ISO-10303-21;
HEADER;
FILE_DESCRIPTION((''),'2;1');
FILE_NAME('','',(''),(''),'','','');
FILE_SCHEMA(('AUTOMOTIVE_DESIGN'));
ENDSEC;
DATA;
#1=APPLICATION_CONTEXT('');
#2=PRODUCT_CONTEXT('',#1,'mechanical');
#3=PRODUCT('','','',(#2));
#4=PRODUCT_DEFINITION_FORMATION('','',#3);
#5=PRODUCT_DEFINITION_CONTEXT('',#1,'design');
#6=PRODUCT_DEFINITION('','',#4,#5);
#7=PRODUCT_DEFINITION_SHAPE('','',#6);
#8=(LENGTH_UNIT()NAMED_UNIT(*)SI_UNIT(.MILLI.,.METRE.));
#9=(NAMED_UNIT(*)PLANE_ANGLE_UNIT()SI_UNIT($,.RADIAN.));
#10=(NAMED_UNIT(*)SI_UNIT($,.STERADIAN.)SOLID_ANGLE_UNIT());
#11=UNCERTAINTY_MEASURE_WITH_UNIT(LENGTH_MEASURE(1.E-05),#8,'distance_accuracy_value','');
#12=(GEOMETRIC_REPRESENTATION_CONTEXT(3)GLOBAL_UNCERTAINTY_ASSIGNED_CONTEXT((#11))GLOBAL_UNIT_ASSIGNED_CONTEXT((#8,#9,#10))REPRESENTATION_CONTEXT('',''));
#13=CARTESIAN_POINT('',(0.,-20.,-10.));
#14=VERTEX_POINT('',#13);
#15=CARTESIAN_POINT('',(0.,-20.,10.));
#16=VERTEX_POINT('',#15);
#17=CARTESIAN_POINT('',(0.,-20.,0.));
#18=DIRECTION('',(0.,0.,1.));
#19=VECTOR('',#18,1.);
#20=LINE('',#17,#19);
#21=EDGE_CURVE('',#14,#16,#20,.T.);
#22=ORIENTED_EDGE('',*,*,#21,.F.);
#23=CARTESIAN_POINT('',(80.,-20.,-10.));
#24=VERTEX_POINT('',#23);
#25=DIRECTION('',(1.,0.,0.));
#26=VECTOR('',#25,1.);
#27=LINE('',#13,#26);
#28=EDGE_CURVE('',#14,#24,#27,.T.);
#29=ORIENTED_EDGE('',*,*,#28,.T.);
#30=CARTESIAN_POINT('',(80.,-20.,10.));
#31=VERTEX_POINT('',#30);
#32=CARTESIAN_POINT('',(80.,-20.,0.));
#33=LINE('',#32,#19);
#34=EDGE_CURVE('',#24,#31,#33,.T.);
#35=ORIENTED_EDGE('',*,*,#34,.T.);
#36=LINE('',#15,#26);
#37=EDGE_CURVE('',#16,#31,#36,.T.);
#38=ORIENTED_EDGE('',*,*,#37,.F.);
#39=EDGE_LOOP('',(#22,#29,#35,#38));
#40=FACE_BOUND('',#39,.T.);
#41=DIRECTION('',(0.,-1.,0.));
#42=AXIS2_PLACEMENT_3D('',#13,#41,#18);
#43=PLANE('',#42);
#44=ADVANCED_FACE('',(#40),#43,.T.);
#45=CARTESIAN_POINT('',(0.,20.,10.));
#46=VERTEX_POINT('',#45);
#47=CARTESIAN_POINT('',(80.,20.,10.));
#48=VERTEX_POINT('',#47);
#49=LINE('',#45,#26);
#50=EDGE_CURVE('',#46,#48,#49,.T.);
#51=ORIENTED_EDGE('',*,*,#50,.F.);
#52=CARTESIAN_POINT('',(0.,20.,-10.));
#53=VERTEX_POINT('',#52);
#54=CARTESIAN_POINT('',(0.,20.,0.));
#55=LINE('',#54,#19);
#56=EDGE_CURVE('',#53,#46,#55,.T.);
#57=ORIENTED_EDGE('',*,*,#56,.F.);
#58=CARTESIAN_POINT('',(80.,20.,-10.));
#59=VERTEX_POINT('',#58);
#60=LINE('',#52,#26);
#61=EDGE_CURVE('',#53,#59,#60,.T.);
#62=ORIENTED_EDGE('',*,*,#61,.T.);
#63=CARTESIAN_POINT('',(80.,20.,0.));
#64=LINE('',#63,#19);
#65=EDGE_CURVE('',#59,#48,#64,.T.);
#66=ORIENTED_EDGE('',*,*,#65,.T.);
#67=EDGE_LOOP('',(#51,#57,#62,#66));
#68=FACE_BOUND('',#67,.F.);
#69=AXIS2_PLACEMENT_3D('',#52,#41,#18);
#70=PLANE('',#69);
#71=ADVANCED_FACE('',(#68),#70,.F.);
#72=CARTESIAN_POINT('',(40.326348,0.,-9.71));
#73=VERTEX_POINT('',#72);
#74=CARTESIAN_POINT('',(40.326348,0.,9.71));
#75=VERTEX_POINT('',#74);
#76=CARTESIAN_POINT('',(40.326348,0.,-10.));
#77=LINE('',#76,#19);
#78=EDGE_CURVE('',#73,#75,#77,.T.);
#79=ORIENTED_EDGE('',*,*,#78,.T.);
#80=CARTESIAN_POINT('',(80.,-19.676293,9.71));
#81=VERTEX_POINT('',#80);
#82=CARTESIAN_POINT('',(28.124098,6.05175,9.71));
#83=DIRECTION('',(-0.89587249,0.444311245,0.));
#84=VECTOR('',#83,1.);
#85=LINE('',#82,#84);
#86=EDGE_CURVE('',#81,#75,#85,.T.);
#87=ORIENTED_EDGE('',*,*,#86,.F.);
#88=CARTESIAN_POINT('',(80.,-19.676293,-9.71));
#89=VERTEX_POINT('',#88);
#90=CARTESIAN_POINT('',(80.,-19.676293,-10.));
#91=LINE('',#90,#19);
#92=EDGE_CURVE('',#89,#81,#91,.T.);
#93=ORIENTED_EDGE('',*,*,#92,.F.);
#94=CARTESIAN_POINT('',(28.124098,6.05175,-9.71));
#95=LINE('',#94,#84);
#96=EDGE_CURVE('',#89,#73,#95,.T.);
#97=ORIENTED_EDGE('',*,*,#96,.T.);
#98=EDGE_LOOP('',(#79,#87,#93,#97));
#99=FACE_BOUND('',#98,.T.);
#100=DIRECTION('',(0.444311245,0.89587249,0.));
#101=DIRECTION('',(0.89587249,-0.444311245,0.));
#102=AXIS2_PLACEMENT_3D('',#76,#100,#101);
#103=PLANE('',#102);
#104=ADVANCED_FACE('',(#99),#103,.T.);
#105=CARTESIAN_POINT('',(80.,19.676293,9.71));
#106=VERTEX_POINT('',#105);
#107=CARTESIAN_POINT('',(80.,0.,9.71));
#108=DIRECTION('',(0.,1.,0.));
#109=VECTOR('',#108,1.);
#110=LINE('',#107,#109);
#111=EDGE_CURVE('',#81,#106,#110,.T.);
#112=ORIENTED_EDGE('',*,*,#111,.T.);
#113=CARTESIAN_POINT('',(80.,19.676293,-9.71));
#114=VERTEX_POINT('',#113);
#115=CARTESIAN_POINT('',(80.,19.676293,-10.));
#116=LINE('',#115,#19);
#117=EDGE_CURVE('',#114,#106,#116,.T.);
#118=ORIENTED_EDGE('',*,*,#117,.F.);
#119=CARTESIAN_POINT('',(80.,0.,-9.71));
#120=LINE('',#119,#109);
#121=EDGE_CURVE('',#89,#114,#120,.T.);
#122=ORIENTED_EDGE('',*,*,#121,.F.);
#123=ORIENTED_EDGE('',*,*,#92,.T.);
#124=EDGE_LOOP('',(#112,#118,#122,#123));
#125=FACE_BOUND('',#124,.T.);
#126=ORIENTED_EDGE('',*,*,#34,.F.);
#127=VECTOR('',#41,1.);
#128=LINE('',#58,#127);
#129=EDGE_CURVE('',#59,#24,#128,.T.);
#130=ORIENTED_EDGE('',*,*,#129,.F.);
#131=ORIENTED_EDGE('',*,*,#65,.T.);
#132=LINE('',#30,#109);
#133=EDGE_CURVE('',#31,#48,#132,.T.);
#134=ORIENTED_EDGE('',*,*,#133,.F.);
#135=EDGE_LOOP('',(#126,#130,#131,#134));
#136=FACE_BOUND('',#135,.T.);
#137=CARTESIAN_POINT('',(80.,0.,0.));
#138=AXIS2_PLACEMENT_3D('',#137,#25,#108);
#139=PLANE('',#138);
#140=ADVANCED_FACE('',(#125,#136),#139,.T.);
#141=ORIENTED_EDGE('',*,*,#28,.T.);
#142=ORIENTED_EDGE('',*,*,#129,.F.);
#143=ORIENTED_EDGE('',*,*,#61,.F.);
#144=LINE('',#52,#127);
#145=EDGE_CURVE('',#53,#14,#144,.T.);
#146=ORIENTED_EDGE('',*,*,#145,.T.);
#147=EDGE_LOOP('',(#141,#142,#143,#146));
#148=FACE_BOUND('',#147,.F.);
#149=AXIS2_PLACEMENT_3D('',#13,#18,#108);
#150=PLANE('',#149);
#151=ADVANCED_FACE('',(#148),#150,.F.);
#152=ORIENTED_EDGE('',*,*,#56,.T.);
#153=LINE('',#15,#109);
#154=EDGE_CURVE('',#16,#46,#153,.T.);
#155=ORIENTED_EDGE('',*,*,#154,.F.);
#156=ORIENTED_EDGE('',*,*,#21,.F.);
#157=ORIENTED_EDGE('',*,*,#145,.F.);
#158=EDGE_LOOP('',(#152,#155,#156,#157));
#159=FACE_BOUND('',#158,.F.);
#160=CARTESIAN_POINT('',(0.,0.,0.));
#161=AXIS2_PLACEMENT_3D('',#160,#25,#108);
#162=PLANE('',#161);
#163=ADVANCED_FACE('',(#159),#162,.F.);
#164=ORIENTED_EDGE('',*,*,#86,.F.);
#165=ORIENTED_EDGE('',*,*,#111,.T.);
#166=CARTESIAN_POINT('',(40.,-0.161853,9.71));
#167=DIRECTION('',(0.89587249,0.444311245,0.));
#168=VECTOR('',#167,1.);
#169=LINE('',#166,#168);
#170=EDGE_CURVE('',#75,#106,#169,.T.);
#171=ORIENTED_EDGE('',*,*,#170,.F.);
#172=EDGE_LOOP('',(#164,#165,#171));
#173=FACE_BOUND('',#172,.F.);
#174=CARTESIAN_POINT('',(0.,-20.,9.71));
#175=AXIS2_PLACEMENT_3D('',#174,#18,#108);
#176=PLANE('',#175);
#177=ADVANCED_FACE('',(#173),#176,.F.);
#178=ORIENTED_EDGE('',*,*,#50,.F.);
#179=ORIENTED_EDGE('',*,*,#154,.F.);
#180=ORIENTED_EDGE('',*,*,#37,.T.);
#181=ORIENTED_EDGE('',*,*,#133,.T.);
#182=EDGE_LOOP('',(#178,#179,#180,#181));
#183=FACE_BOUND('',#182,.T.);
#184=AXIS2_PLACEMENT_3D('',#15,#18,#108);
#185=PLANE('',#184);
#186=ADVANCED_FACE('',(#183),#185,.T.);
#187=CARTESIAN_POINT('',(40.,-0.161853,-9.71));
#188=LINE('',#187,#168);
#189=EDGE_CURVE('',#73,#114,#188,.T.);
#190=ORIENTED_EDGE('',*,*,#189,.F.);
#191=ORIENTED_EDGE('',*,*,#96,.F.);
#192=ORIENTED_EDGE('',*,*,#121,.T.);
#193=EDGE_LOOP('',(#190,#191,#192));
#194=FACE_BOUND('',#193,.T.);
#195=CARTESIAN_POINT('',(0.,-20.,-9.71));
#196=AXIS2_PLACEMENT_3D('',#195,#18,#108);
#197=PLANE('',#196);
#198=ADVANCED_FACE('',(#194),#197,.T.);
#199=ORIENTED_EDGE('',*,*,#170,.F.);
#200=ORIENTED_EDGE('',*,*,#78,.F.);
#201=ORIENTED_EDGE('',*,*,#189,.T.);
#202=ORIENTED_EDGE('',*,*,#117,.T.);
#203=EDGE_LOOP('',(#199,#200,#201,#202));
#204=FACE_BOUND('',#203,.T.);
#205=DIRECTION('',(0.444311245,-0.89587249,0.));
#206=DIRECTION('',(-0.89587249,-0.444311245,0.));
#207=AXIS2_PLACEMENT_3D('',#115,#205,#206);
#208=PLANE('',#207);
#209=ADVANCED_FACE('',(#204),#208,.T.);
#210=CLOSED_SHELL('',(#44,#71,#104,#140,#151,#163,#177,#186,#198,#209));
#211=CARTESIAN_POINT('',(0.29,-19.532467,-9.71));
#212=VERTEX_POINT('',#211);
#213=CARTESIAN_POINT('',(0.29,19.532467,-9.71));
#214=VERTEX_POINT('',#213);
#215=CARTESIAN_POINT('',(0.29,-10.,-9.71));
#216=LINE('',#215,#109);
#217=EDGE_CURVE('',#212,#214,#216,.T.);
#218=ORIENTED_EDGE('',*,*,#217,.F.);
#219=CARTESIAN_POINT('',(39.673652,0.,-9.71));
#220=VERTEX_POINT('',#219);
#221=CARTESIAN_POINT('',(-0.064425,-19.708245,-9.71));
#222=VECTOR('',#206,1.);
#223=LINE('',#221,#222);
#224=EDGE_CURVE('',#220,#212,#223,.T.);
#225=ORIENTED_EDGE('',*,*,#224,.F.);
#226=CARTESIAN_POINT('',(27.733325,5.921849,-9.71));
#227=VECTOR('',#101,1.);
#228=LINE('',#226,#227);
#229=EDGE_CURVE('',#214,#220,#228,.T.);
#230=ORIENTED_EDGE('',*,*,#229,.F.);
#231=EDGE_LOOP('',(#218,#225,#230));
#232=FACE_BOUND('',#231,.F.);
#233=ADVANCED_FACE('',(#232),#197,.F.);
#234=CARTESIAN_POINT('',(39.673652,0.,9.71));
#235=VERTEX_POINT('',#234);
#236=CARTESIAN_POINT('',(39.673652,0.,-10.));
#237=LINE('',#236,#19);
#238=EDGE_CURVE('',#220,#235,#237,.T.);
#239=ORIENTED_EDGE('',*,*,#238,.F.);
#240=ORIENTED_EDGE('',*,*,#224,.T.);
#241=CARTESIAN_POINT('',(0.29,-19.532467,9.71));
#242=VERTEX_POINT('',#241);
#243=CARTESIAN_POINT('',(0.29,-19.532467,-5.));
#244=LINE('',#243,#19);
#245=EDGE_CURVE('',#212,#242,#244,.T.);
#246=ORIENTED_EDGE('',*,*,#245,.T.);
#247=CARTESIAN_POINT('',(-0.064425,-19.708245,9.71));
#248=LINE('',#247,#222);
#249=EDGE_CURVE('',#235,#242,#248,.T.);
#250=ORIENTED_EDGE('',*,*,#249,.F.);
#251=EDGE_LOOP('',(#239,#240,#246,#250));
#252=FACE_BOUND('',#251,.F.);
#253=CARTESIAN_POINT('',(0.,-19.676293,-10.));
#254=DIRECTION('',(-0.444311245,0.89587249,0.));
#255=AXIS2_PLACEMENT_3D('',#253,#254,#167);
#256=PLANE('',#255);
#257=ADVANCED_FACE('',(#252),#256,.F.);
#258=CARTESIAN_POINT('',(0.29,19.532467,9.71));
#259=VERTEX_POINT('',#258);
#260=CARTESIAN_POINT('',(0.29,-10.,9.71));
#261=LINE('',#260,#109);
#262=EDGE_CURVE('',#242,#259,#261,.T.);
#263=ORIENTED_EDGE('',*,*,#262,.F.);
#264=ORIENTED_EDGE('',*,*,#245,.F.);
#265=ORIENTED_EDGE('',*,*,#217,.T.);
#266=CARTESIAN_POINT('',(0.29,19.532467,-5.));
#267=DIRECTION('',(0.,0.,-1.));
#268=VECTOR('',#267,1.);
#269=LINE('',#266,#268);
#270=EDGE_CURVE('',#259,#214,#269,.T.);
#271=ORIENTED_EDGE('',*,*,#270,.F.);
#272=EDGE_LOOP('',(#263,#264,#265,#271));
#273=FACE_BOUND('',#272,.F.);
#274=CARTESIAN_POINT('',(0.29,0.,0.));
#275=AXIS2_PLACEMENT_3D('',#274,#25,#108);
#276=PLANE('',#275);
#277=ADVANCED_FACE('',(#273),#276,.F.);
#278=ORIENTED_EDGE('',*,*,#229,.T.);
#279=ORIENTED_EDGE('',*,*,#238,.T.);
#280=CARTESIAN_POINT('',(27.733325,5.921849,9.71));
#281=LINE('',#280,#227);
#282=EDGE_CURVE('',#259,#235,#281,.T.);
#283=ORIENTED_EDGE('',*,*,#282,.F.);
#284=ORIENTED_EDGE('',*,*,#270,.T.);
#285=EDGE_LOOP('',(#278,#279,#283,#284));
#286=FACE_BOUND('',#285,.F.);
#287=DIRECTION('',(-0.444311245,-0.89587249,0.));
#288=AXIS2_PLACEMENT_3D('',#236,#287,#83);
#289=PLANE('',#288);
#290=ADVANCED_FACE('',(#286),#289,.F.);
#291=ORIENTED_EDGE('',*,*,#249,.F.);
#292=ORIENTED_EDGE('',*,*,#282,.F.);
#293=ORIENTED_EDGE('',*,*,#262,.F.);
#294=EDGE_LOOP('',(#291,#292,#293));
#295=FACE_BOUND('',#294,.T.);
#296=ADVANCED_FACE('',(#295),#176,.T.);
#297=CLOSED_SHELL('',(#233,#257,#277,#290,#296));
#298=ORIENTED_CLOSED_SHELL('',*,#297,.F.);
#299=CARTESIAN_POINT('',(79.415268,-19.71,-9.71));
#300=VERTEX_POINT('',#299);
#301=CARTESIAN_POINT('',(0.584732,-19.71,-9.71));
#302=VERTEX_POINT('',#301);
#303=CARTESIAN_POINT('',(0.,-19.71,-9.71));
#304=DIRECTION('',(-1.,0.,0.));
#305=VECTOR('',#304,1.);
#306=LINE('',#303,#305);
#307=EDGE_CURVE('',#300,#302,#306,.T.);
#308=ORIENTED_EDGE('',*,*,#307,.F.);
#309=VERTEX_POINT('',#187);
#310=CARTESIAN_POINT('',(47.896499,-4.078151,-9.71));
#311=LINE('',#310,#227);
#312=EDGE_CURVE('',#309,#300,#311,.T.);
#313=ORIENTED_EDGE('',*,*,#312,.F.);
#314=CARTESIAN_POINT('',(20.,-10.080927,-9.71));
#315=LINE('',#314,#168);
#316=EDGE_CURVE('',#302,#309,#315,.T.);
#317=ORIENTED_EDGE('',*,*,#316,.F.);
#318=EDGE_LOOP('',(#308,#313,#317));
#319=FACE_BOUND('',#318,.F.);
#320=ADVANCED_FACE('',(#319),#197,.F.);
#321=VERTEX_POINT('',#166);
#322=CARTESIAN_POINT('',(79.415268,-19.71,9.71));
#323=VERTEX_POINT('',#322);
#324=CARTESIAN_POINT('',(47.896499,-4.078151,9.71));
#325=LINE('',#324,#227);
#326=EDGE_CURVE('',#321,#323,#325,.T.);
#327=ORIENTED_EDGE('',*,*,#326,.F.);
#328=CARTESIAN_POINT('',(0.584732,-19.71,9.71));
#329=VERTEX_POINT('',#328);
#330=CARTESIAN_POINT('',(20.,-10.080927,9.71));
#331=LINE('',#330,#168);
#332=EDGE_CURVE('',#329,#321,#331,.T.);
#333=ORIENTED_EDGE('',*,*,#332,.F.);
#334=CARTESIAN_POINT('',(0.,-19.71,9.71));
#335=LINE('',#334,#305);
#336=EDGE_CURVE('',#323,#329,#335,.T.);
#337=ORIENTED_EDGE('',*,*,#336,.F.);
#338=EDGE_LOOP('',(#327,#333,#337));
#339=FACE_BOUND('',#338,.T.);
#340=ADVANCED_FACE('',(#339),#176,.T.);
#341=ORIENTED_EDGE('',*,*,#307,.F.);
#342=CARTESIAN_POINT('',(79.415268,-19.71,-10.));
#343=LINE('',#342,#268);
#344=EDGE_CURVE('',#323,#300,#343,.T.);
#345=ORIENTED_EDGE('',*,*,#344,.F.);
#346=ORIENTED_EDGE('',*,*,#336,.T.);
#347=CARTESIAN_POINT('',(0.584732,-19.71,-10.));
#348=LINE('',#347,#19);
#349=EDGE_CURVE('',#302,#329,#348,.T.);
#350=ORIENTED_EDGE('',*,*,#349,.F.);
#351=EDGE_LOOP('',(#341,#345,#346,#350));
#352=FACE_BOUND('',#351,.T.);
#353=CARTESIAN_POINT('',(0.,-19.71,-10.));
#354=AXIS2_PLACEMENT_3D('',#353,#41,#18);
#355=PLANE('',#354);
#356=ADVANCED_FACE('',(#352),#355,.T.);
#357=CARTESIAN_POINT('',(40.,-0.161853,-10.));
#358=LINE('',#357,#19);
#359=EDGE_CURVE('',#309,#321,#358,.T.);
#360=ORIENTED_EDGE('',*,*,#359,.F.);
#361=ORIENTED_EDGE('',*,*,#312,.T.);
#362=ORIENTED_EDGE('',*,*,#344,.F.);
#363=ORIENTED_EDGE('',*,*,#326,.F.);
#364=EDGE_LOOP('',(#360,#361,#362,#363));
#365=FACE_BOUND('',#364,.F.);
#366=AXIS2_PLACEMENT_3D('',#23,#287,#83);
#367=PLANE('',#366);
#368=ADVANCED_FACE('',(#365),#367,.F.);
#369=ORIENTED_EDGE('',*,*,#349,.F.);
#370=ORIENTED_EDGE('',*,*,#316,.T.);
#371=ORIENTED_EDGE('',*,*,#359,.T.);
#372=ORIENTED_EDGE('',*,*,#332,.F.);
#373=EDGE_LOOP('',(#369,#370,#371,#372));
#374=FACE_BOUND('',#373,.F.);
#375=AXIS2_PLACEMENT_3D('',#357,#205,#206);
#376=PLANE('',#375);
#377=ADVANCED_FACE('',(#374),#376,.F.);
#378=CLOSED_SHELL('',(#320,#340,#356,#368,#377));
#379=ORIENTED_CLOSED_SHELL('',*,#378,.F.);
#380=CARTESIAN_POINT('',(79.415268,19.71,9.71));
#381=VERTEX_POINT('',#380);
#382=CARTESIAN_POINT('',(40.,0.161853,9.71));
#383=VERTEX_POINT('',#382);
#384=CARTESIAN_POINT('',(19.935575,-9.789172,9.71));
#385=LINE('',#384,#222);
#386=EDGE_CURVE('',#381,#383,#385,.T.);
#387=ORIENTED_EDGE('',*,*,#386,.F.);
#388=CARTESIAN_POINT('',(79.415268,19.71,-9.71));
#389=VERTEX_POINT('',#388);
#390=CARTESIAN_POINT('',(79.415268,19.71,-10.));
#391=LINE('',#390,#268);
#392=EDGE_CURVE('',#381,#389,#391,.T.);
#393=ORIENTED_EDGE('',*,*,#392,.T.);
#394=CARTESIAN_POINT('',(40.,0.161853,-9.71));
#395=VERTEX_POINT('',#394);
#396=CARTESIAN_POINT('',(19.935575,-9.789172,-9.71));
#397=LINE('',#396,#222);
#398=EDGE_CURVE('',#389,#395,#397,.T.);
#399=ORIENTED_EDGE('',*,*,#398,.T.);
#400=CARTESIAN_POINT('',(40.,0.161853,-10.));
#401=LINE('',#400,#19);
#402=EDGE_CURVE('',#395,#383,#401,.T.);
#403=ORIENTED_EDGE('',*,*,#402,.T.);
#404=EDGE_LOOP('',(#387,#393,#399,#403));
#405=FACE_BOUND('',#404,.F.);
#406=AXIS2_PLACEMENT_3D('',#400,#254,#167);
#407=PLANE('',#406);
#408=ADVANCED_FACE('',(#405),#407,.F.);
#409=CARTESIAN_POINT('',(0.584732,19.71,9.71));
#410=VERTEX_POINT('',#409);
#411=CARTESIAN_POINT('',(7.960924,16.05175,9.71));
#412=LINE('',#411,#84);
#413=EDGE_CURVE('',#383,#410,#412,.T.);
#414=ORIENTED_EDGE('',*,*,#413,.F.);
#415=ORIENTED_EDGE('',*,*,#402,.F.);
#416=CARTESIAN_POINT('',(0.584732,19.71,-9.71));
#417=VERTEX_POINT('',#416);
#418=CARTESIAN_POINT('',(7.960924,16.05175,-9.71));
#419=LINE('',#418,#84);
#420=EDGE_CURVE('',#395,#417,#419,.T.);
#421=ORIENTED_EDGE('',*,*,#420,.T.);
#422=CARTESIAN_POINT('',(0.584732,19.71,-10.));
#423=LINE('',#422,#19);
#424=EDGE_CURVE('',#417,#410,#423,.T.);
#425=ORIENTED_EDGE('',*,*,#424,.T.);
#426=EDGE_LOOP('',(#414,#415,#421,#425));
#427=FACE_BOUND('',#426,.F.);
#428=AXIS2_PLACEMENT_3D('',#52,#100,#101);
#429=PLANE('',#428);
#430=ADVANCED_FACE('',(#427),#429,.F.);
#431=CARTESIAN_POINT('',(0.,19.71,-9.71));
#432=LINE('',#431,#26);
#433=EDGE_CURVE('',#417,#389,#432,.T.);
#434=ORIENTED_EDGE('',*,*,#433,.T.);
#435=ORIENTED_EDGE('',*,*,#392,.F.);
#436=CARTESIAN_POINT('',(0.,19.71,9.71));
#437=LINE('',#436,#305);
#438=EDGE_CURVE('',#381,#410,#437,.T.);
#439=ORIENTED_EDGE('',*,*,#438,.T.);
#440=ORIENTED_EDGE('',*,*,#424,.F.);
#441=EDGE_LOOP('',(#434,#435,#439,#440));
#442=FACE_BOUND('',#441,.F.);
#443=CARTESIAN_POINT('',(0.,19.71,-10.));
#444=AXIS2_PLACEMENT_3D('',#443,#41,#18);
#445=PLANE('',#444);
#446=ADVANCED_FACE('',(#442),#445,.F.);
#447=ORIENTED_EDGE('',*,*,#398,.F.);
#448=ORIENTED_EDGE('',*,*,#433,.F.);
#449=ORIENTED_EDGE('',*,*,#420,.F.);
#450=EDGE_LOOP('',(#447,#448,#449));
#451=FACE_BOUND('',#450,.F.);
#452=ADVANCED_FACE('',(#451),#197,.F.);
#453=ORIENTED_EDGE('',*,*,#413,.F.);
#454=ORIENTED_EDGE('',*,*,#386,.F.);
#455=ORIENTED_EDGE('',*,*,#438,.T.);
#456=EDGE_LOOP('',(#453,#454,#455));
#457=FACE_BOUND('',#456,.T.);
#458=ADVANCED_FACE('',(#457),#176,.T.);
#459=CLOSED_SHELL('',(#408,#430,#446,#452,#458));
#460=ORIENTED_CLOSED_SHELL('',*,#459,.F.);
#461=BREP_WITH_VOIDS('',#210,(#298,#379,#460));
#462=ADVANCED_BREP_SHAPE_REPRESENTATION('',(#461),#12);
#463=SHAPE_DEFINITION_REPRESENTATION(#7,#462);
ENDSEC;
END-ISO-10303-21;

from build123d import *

# Parameters (mm, degrees)
F0_W     = 40
F0_H     = 20
F2_DEPTH = 80
F3_T     = -0.29
F5_DEPTH = 20


with BuildPart() as f2:
    # F0 (on Right) → F2 (new body)
    with BuildSketch(Plane.YZ):
        Rectangle(F0_W, F0_H)
    extrude(amount=F2_DEPTH)

    # F3
    f3_openings = [f2.faces().sort_by_distance(p)[0] for p in [
        (80, 0, 0),
    ]]
    offset(amount=F3_T, openings=f3_openings)

    # F4 (on face) → F5 (join)
    with BuildSketch(Plane(origin=(0, 0, -10), x_dir=(1, 0, 0), z_dir=(0, 0, -1))):
        Polygon((39.6736521938, 0), (40, -0.1618533906), (40.3263478062, 0), (40, 0.1618533906), align=None)
        Polygon((40, 0.1618533906), (40.3263478062, 0), (80, 19.6762932188), (80, 20), align=None)
        Polygon((0, -19.6762932188), (0, -20), (40, -0.1618533906), (39.6736521938, 0), align=None)
        Polygon((0, 19.6762932188), (39.6736521938, 0), (40, 0.1618533906), (0, 20), align=None)
        Polygon((40.3263478062, 0), (40, -0.1618533906), (80, -20), (80, -19.6762932188), align=None)
    extrude(amount=-F5_DEPTH)


solid = f2.part
